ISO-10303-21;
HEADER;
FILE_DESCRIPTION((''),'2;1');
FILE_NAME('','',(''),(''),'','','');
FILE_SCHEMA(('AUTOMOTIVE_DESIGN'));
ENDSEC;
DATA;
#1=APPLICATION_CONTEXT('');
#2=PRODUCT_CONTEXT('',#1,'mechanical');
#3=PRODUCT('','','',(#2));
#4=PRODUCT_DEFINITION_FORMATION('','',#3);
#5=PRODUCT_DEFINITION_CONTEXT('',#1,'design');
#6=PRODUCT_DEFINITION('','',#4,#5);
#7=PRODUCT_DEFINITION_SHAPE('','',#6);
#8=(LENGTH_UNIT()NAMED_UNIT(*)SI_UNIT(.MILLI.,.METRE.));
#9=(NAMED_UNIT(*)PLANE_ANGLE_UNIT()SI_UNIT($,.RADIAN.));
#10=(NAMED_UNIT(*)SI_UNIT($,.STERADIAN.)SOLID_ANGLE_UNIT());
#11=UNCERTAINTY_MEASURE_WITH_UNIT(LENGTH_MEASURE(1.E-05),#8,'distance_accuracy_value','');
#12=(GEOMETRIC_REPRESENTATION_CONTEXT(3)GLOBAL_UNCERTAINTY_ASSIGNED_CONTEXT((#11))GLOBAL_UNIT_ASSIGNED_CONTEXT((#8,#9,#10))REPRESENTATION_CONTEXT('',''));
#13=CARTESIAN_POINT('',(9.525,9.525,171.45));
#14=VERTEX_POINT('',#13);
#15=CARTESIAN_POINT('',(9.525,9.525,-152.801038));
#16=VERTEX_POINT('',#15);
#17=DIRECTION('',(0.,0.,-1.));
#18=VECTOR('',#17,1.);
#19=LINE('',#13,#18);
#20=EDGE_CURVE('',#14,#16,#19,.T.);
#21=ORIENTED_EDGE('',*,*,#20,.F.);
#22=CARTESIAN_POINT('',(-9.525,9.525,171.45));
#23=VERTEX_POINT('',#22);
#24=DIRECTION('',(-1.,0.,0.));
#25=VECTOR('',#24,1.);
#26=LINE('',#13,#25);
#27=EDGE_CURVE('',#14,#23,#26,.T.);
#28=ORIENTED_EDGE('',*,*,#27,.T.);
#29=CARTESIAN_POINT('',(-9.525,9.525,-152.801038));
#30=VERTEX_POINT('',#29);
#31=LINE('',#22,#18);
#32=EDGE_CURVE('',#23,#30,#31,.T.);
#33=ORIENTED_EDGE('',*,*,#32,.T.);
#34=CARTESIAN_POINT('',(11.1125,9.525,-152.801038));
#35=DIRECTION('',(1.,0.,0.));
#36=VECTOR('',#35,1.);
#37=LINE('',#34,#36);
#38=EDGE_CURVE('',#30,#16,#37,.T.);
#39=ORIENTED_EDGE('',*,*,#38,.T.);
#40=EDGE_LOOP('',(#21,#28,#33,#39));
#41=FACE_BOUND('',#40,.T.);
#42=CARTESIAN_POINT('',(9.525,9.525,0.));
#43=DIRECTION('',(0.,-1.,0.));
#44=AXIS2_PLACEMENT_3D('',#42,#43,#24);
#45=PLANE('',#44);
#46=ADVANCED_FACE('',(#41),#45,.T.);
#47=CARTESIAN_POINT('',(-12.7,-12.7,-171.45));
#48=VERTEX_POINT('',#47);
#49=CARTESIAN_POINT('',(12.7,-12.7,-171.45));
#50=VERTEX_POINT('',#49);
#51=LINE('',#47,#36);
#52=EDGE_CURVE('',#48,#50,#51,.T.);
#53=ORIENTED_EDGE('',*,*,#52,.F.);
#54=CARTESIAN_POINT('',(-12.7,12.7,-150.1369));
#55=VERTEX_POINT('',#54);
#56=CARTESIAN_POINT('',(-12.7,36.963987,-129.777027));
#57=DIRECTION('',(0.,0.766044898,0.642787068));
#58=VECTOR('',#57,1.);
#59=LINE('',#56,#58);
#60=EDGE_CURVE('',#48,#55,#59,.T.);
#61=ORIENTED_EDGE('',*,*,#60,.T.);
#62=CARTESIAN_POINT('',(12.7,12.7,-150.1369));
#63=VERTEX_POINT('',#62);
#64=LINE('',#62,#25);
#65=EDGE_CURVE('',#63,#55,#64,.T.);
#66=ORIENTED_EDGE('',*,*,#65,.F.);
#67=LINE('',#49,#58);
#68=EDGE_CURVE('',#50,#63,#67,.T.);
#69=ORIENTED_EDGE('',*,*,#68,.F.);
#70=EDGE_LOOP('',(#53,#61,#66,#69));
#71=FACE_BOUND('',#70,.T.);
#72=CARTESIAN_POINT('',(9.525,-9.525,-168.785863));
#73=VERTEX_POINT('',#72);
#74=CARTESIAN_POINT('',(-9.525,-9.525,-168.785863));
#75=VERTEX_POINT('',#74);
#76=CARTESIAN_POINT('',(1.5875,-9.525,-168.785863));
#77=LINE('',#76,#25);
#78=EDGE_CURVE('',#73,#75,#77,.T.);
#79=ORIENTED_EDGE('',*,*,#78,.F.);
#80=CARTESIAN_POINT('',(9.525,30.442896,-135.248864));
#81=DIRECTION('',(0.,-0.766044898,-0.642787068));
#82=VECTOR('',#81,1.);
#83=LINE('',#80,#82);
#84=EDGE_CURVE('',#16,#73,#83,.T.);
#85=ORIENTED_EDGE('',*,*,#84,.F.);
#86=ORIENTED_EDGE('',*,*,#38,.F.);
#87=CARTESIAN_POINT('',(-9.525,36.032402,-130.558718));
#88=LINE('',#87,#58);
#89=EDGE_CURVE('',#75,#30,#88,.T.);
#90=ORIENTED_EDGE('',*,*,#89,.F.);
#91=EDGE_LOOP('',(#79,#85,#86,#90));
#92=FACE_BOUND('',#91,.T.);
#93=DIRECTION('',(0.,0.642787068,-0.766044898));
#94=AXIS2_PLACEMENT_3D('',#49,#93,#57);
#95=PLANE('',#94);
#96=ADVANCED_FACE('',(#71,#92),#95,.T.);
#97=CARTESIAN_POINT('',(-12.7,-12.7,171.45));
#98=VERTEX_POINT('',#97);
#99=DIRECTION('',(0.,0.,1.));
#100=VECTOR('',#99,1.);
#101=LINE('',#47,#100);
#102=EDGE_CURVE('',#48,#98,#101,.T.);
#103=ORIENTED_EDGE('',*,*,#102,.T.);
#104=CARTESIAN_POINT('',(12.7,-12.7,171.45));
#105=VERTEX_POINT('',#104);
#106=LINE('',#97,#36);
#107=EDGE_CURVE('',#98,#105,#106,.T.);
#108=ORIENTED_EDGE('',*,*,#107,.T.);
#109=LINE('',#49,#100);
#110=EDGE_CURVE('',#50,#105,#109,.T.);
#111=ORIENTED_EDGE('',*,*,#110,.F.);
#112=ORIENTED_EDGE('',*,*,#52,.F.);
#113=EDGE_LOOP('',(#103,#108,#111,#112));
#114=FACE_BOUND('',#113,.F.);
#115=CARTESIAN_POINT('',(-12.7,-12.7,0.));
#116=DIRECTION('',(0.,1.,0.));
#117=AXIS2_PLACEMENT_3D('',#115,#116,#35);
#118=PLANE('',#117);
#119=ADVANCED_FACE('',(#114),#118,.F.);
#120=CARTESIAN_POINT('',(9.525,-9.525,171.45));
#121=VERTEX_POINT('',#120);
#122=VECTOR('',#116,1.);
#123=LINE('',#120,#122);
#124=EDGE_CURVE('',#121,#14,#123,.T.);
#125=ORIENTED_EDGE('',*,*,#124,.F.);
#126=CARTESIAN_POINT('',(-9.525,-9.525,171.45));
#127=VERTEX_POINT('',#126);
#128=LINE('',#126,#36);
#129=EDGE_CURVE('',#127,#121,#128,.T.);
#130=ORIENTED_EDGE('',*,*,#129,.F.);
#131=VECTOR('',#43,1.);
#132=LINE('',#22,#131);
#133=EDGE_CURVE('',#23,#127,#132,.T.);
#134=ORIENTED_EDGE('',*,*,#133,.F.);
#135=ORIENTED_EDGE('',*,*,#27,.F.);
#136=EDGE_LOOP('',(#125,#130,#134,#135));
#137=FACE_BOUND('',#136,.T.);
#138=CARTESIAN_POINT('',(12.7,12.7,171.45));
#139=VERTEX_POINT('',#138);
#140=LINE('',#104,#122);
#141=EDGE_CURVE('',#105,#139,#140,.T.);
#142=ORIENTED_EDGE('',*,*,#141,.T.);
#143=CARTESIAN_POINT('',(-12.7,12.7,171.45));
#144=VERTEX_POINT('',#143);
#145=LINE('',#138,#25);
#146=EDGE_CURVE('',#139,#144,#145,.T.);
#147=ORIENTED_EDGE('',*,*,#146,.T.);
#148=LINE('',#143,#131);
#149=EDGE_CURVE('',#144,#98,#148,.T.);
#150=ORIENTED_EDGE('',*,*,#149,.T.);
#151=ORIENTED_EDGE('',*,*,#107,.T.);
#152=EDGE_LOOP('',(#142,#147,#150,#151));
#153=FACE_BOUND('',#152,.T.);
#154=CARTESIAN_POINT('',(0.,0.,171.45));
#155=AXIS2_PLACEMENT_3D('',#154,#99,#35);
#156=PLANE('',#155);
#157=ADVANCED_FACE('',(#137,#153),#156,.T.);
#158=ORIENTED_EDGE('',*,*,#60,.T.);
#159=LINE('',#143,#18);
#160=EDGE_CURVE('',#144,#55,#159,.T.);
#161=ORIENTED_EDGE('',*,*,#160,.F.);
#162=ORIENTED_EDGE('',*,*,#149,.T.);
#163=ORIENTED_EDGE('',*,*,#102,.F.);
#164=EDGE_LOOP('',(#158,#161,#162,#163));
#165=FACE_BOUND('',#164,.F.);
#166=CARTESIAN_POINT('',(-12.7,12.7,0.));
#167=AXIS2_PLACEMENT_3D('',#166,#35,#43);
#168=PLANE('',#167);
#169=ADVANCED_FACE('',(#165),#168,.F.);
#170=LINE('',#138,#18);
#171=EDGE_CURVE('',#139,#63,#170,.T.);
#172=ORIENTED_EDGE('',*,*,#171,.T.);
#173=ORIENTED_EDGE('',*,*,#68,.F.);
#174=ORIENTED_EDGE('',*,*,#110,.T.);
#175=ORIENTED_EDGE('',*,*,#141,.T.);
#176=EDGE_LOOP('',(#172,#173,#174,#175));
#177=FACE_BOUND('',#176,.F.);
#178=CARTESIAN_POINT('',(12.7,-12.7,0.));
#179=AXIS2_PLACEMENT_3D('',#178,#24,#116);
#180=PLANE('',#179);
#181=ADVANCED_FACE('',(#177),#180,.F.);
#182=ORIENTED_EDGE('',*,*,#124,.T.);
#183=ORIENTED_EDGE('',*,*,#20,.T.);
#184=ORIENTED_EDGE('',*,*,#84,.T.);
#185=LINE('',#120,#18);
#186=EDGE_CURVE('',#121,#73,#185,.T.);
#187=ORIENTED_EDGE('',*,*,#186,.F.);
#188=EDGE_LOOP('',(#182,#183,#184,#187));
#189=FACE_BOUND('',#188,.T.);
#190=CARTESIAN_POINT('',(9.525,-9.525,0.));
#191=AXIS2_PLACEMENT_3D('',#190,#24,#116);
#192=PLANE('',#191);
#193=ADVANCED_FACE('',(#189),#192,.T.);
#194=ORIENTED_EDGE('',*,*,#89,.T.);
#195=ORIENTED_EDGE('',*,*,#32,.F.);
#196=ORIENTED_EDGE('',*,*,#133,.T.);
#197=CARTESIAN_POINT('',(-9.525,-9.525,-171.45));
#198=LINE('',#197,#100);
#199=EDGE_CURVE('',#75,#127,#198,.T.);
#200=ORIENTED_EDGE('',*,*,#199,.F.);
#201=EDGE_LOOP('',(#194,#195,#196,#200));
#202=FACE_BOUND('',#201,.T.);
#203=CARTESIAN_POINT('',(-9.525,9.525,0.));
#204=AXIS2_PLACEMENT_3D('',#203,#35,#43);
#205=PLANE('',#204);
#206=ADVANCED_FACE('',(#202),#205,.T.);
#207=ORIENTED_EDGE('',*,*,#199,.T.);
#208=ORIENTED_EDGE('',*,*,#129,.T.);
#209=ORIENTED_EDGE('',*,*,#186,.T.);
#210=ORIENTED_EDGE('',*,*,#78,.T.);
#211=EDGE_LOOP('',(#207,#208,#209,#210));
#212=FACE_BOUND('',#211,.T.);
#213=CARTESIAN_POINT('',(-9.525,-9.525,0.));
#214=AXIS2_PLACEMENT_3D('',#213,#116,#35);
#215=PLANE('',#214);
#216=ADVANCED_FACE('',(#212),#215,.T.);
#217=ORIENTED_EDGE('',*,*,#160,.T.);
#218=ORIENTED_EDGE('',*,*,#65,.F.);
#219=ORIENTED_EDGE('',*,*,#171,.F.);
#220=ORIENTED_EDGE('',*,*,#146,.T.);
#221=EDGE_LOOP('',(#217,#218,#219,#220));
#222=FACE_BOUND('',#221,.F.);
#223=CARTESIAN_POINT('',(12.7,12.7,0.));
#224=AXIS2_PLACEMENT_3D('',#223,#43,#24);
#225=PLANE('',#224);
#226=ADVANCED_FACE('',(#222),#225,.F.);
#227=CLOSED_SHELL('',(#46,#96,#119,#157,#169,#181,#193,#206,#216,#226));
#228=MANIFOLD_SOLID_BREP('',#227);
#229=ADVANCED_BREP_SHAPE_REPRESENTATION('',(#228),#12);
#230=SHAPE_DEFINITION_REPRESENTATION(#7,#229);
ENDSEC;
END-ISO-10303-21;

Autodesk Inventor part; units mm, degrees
ref_plane "YZ Plane" through (0, 0, 0) normal (1, 0, 0) x (0, 1, 0)
ref_plane "XZ Plane" through (0, 0, 0) normal (0, 1, 0) x (-1, 0, 0)
ref_plane "XY Plane" through (0, 0, 0) normal (0, 0, 1) x (1, 0, 0)
sketch "Sketch1" plane through (0, 0, 0) normal (0, 0, 1) x (1, 0, 0)
  line L0 (-12.7, -12.7) -> (12.7, -12.7)
  line L1 (12.7, -12.7) -> (12.7, 12.7)
  line L2 (12.7, 12.7) -> (-12.7, 12.7)
  line L3 (-12.7, 12.7) -> (-12.7, -12.7)
  line L4 (-12.7, -12.7) -> (12.7, 12.7) construction
  line L5 (12.7, -12.7) -> (-12.7, 12.7) construction
  line L6 (-9.525, -9.525) -> (9.525, -9.525)
  line L7 (9.525, -9.525) -> (9.525, 9.525)
  line L8 (9.525, 9.525) -> (-9.525, 9.525)
  line L9 (-9.525, 9.525) -> (-9.525, -9.525)
  line L10 (-9.525, -9.525) -> (9.525, 9.525) construction
  line L11 (9.525, -9.525) -> (-9.525, 9.525) construction
  point P0 (0, 0)
  dimension "d0" = 25.4
  dimension "d1" = 25.4
  dimension "d2" = 3.175
extrude "Extrusion1" add sketch "Sketch1" along normal mid plane 342.9
sketch "Sketch4" plane through (12.7, -12.7, 171.45) normal (1, 0, 0) x (0, 0, -1)
  line L0 (342.9, 0) -> (342.9, 25.4) projected
  line L1 (342.9, 0) -> (321.5869, 25.4)
  line L2 (342.9, 25.4) -> (0, 25.4) projected
  line L3 (321.5869, 25.4) -> (342.9, 25.4)
  line L4 (342.9, 22.225) -> (0, 22.225) projected
  line L5 (342.9, 25.4) -> (342.9, 0)
  point P0 (171.45, 12.7)
  dimension "d9" = 40
extrude "Extrusion3" cut sketch "Sketch4" against normal through all
properties part number "Aluminum1x1MiddleBack" material "Aluminum 6061"
